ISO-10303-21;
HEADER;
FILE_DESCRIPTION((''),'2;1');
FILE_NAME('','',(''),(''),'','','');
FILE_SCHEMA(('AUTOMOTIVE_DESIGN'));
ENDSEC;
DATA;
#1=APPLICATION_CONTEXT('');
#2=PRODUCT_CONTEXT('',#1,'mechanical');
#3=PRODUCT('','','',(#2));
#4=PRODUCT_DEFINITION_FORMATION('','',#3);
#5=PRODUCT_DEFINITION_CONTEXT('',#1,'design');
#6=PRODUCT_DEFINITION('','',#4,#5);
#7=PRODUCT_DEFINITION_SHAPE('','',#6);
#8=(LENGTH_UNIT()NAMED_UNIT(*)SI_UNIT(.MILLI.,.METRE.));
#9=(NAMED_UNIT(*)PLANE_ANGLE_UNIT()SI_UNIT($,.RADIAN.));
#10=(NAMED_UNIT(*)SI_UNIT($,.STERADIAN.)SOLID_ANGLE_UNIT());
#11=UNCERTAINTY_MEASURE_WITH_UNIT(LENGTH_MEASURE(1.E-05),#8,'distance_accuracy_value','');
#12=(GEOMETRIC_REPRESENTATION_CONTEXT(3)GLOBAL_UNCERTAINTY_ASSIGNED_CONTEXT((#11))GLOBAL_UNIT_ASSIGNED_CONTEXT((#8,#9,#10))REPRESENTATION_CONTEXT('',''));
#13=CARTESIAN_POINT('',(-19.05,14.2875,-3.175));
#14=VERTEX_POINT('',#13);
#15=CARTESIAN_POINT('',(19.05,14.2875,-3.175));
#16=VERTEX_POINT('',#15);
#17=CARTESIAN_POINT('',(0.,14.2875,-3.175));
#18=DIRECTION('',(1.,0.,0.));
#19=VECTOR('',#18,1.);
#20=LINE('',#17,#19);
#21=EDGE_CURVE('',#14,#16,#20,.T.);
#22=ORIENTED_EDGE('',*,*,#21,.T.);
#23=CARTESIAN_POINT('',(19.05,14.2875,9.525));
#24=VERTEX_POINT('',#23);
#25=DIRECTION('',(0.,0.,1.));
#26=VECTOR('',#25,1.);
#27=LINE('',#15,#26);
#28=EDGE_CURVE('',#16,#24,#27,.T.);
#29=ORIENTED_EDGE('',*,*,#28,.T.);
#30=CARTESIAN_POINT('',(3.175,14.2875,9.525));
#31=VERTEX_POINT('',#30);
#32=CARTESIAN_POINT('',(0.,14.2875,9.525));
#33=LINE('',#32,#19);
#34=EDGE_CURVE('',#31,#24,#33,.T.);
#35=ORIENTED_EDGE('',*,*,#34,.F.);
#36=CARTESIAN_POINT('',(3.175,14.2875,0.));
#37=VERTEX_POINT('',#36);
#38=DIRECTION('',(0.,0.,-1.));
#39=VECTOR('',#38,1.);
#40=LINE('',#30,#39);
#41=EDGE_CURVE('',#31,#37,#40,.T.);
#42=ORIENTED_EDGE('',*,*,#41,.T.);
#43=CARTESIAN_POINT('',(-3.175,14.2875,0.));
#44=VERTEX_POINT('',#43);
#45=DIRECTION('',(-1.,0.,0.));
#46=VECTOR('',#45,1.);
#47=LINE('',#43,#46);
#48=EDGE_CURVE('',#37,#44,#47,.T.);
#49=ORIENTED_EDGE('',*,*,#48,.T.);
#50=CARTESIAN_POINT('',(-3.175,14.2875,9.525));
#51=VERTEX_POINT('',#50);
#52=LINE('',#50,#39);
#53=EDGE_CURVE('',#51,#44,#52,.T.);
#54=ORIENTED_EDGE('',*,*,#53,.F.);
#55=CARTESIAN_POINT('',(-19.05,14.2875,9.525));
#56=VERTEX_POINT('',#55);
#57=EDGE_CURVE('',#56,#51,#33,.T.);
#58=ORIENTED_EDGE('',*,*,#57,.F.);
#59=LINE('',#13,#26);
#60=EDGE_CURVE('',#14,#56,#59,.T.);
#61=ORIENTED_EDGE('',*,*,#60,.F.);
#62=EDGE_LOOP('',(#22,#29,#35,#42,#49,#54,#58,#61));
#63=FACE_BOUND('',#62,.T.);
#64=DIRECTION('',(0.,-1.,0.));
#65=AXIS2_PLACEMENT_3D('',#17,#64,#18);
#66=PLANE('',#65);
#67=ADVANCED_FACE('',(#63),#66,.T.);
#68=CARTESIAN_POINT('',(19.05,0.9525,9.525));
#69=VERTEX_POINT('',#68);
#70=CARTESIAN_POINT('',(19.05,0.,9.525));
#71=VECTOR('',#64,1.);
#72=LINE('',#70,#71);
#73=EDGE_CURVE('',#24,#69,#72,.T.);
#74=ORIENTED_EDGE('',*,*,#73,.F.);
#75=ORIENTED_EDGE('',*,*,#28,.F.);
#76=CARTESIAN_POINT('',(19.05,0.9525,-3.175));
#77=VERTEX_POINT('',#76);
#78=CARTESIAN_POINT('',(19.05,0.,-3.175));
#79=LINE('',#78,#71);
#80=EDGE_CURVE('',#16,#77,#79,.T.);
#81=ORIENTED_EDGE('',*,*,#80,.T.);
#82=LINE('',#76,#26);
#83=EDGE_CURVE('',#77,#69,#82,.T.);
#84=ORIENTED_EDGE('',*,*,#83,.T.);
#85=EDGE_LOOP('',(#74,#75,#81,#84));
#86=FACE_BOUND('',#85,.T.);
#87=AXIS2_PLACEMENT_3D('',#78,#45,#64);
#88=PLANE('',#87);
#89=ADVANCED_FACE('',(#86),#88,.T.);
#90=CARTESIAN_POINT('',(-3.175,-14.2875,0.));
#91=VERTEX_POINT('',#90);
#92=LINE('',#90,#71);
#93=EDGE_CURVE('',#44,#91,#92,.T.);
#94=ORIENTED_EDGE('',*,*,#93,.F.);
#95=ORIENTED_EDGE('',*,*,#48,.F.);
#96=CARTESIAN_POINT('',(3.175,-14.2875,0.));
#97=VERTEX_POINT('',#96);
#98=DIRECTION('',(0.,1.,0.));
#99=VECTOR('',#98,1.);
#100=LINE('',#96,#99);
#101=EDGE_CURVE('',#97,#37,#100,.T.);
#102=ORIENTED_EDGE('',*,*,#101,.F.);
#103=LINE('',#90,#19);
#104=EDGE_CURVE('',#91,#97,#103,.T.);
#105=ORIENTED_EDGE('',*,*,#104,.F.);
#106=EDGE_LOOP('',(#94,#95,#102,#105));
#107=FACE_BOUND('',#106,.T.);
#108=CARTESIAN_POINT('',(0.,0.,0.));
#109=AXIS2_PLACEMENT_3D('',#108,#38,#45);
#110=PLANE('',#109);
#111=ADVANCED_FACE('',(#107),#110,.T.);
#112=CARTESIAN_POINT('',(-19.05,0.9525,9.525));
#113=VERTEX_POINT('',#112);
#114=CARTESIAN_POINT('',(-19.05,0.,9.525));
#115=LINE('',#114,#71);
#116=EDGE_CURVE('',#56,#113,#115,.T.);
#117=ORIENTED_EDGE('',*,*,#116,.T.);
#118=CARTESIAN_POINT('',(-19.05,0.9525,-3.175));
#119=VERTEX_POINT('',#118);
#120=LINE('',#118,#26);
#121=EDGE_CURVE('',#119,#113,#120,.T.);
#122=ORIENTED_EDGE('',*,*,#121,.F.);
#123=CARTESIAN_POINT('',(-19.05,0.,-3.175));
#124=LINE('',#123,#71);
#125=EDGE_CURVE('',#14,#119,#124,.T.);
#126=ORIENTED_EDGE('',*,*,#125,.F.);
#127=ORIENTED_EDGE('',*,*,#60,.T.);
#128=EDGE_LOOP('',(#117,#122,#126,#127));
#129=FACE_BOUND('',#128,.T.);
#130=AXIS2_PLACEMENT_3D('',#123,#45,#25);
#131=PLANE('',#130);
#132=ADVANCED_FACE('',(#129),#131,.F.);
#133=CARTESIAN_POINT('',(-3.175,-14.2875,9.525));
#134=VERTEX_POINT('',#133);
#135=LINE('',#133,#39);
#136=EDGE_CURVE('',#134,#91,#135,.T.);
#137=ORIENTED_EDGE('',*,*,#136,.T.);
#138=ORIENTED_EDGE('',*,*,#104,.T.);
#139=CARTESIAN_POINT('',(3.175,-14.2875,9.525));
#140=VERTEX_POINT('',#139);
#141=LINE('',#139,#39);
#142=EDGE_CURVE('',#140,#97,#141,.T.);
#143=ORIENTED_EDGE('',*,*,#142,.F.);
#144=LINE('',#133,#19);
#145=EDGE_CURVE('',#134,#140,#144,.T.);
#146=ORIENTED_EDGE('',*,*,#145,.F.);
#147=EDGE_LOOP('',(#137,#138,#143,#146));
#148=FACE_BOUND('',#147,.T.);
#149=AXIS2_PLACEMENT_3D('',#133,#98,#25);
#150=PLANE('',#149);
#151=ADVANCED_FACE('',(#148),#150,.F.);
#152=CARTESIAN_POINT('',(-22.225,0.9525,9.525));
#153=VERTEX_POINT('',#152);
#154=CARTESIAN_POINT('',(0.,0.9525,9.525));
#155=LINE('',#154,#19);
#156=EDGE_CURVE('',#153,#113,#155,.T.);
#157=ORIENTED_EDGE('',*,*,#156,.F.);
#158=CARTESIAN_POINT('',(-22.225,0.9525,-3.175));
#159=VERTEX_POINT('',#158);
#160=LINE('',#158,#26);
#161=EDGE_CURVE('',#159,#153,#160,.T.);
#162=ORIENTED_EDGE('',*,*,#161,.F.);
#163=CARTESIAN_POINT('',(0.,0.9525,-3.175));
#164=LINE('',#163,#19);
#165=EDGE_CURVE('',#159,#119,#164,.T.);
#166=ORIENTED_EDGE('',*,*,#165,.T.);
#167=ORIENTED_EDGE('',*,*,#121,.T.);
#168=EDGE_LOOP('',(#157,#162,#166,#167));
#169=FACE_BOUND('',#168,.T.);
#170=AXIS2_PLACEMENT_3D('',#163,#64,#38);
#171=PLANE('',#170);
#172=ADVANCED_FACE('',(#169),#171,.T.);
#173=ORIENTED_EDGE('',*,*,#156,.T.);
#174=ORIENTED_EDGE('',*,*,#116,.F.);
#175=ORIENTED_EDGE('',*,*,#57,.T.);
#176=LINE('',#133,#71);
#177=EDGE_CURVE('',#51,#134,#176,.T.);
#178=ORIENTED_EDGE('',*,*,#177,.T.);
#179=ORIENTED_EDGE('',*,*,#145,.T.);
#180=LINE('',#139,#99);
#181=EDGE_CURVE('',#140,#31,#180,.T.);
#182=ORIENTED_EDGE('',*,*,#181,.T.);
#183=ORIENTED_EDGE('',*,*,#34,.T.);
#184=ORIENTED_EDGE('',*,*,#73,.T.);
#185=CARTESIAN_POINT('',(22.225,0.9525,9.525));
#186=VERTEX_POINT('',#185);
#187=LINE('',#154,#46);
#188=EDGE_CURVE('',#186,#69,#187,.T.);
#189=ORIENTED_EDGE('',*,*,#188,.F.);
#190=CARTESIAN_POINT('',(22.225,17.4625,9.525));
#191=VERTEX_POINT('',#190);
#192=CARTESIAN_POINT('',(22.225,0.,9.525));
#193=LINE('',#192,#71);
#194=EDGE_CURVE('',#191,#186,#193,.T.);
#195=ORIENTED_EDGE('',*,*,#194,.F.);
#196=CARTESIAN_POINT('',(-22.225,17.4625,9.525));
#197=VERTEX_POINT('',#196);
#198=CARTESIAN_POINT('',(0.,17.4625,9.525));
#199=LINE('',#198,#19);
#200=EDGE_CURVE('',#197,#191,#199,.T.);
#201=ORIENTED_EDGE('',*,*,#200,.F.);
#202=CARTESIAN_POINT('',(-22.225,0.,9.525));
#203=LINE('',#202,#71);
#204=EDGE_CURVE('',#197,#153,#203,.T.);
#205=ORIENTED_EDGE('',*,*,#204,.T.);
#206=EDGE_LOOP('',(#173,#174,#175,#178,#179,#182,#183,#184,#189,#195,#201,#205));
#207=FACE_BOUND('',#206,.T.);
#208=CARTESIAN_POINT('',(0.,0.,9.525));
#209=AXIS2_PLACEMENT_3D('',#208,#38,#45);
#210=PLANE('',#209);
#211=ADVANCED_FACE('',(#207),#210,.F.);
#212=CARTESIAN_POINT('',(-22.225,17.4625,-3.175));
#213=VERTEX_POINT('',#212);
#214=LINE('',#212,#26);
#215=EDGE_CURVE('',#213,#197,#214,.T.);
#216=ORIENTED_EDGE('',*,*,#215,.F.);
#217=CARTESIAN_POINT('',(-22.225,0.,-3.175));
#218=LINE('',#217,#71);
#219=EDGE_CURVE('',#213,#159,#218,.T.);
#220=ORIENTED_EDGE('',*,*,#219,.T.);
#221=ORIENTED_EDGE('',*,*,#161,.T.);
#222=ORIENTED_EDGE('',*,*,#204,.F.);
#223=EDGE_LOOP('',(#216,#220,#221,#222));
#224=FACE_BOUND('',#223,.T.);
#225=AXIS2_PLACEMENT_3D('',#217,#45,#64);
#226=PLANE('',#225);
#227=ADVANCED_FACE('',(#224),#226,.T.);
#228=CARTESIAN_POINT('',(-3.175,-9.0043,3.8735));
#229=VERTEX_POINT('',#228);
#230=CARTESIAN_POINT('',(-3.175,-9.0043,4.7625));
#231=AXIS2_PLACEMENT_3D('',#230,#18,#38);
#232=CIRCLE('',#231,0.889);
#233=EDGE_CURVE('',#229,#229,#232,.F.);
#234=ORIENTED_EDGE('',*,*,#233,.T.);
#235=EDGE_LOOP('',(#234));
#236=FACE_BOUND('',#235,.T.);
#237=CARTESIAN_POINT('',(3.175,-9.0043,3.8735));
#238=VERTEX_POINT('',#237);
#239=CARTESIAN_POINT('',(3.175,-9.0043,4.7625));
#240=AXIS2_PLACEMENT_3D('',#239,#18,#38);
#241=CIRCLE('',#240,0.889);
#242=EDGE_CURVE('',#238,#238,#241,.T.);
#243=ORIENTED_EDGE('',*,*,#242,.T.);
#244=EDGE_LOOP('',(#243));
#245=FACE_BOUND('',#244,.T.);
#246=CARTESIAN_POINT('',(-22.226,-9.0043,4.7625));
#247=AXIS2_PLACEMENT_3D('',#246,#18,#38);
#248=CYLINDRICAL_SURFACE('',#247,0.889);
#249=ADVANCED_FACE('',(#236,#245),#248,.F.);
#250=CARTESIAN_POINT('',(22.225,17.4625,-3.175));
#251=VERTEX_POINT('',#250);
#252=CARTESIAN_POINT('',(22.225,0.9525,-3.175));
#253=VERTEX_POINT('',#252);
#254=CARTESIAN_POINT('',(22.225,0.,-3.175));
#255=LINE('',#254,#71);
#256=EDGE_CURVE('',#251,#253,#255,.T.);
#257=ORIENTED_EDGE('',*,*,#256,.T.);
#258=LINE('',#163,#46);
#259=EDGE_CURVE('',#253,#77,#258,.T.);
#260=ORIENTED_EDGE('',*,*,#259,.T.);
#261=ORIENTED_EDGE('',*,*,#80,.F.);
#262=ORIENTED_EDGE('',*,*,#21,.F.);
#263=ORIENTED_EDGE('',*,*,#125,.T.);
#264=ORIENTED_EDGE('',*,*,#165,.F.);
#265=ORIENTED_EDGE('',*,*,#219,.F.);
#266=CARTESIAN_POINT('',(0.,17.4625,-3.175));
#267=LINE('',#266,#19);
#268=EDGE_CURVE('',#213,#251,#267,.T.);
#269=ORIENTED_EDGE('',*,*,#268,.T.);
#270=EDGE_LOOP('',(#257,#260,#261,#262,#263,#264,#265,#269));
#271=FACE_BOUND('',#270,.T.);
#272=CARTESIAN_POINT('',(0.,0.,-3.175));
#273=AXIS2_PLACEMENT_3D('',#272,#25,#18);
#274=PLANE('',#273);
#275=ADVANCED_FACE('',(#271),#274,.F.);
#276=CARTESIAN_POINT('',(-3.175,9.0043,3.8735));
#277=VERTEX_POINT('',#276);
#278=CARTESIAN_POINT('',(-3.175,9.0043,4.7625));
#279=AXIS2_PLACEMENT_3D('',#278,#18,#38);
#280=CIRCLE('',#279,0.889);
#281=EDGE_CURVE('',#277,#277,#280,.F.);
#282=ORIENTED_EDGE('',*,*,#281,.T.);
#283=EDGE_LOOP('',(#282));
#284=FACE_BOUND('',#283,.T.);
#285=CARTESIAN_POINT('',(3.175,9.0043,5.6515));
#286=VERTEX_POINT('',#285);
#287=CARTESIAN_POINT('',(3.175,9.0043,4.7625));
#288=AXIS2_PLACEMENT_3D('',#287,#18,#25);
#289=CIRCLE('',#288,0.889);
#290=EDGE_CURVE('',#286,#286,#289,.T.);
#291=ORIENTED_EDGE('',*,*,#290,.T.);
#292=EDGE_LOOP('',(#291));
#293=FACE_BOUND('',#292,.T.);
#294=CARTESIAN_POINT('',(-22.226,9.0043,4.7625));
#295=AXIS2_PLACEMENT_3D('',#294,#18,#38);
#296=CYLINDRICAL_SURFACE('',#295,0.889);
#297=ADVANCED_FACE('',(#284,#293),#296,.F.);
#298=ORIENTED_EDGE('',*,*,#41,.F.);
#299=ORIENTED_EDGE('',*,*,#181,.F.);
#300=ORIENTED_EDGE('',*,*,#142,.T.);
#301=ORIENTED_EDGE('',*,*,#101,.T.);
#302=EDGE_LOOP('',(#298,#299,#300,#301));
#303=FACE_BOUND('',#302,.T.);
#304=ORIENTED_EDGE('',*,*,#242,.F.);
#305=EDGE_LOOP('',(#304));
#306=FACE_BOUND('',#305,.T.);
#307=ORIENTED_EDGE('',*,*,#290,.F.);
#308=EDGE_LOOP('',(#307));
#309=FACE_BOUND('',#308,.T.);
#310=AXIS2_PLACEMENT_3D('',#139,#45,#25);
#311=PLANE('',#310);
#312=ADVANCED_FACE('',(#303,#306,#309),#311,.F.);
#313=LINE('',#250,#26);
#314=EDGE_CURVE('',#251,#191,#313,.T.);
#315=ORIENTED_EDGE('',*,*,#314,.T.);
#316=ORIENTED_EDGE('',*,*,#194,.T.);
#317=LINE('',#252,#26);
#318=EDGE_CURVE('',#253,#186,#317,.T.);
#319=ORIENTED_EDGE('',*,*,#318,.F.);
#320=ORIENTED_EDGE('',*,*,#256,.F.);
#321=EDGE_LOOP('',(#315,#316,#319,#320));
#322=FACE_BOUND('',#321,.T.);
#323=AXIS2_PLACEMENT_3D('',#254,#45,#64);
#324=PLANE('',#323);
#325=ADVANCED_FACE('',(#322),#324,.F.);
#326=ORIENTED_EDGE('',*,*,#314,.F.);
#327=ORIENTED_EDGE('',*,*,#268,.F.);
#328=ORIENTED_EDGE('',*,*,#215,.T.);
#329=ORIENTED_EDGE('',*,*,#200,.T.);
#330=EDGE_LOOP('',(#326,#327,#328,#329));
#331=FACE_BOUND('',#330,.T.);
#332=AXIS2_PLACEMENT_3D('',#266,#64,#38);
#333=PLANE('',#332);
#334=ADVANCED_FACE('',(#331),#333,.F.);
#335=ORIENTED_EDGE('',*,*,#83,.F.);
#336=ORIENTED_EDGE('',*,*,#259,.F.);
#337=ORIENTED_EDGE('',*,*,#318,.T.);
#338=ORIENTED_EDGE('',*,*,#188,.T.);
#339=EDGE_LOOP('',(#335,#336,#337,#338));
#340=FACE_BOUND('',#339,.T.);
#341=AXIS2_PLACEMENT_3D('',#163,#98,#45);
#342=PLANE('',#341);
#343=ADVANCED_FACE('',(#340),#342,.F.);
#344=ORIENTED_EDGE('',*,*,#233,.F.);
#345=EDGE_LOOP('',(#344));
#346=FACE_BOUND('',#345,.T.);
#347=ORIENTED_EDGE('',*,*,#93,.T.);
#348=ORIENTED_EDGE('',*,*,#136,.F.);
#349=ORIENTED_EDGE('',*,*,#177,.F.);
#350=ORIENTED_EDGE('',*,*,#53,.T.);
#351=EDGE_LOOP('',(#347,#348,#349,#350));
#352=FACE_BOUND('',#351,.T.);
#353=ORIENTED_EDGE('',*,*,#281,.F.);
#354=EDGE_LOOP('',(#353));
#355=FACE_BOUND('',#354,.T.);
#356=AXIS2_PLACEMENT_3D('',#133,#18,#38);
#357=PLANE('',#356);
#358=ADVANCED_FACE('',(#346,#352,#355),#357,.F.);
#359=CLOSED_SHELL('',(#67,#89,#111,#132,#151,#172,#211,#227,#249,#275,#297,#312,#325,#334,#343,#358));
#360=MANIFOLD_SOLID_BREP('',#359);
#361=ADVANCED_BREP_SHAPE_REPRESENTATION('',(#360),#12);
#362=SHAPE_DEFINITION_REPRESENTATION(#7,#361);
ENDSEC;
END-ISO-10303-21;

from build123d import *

# Parameters (mm, degrees)
SKETCH1_W           = 6.35
SKETCH1_H           = 28.575
BOSS_EXTRUDE1_DEPTH = 9.525
SKETCH3_W           = 3.175
SKETCH3_H           = 13.335
BOSS_EXTRUDE2_DEPTH = 12.7
CUT_EXTRUDE1_REACH  = 34.262
SKETCH4_R           = 0.889


with BuildPart() as part:
    # Sketch1 → Boss-Extrude1 (new body)
    with BuildSketch(Plane.XY):
        Rectangle(SKETCH1_W, SKETCH1_H)
    extrude(amount=BOSS_EXTRUDE1_DEPTH)

    # Sketch3 → Boss-Extrude2 (add)
    with BuildSketch(Plane.XY.offset(9.525)):
        with Locations((-20.6375, 7.62)):
            Rectangle(SKETCH3_W, SKETCH3_H)
        Polygon((22.225, 17.4625), (-22.225, 17.4625), (-22.225, 14.2875), (-19.05, 14.2875), (-3.175, 14.2875), (3.175, 14.2875), (19.05, 14.2875), (22.225, 14.2875), align=None)
        with Locations((20.6375, 7.62)):
            Rectangle(SKETCH3_W, SKETCH3_H)
    extrude(amount=-BOSS_EXTRUDE2_DEPTH)

    # Sketch4 → Cut-Extrude1 (cut, up to next)
    with BuildSketch(Plane(origin=(3.175, 0, 0), x_dir=(0, 0, -1), z_dir=(1, 0, 0)), mode=Mode.PRIVATE) as cut_extrude1_sk1:
        with Locations((-4.7625, -9.0043)):
            Circle(SKETCH4_R)
    cut_extrude1_tool1 = extrude(cut_extrude1_sk1.sketch, amount=-CUT_EXTRUDE1_REACH, mode=Mode.PRIVATE) & part.part
    # Sketch4 → Cut-Extrude1 (cut, up to next)
    with BuildSketch(Plane(origin=(3.175, 0, 0), x_dir=(0, 0, -1), z_dir=(1, 0, 0)), mode=Mode.PRIVATE) as cut_extrude1_sk2:
        with Locations((-4.7625, 9.0043)):
            Circle(SKETCH4_R)
    cut_extrude1_tool2 = extrude(cut_extrude1_sk2.sketch, amount=-CUT_EXTRUDE1_REACH, mode=Mode.PRIVATE) & part.part
    add(cut_extrude1_tool1.solids().sort_by_distance((3.175, -9.0043, 4.7625))[0], mode=Mode.SUBTRACT)
    add(cut_extrude1_tool2.solids().sort_by_distance((3.175, 9.0043, 4.7625))[0], mode=Mode.SUBTRACT)


solid = part.part
